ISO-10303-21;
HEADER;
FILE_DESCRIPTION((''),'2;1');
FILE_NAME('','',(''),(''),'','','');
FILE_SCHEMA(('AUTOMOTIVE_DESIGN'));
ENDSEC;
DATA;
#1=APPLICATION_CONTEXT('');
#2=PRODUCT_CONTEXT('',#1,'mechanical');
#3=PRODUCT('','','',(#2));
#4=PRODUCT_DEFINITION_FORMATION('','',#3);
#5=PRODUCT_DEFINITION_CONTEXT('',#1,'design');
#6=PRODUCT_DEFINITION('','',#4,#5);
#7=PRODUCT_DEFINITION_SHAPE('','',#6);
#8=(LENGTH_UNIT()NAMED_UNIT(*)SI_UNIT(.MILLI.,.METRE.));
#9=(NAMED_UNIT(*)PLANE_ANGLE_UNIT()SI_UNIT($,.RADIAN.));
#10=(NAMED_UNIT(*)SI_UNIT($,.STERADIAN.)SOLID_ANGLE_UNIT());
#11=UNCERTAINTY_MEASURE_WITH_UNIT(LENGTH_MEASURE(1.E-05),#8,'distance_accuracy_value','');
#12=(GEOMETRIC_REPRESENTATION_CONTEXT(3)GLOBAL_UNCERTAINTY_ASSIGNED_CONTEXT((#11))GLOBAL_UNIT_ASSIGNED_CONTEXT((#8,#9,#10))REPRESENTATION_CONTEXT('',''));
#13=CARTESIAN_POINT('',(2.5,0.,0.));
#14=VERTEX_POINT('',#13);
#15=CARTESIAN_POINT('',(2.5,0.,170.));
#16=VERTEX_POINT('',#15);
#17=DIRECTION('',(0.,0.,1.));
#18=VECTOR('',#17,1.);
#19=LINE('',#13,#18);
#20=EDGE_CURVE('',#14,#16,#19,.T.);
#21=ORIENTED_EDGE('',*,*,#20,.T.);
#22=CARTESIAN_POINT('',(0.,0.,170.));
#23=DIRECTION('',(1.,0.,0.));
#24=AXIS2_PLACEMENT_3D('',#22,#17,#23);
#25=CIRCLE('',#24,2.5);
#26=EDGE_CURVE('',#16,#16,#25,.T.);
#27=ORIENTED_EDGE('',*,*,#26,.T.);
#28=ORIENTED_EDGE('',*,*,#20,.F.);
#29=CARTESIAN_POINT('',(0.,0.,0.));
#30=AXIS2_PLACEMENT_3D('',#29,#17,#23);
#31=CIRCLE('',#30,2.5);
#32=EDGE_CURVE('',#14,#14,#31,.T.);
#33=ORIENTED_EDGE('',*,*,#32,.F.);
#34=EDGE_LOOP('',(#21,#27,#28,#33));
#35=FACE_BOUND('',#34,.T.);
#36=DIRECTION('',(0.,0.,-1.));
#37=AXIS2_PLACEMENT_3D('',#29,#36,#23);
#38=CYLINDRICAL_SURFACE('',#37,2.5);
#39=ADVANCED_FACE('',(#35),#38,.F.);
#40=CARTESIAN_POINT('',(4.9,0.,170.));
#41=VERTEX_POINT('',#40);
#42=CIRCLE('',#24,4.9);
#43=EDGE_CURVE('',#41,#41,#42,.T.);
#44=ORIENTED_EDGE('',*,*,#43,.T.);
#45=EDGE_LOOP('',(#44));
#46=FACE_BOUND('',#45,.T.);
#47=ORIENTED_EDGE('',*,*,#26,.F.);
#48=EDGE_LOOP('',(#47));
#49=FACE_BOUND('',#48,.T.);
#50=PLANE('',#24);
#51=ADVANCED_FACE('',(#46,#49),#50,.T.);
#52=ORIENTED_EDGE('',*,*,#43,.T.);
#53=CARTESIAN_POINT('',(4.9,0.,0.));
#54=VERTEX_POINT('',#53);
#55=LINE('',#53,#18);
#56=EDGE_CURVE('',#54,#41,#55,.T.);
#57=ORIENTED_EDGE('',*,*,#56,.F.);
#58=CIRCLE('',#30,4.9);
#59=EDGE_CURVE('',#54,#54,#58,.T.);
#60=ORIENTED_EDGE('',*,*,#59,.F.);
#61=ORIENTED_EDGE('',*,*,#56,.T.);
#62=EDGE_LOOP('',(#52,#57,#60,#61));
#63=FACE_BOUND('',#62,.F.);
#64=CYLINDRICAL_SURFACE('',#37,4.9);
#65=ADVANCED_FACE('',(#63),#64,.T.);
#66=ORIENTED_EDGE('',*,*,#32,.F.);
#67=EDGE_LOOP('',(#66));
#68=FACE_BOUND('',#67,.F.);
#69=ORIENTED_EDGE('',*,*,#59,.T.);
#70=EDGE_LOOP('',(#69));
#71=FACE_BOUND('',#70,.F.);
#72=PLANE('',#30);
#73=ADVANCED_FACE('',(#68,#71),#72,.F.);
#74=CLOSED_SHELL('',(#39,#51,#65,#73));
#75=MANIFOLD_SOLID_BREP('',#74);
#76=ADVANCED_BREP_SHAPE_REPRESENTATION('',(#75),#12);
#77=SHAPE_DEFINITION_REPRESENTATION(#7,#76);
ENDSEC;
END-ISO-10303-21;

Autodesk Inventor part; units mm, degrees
ref_plane "YZ Plane" through (0, 0, 0) normal (1, 0, 0) x (0, 1, 0)
ref_plane "XZ Plane" through (0, 0, 0) normal (0, 1, 0) x (-1, 0, 0)
sketch "Sketch1" plane through (0, 0, 0) normal (0, 0, 1) x (1, 0, 0)
  circle A0 centre (0, 0) radius 2.5 projected
  circle A1 centre (0, 0) radius 4.9
  point P0 (0, 0)
  dimension "d0" = 9.8
ref_plane "Work Plane1" through (-33.85, -16.15, 180) normal (0, 0, -1) x (0, 1, 0)
extrude "Extrusion1" add sketch "Sketch1" along normal blind 170
properties part number "RodMK2"
